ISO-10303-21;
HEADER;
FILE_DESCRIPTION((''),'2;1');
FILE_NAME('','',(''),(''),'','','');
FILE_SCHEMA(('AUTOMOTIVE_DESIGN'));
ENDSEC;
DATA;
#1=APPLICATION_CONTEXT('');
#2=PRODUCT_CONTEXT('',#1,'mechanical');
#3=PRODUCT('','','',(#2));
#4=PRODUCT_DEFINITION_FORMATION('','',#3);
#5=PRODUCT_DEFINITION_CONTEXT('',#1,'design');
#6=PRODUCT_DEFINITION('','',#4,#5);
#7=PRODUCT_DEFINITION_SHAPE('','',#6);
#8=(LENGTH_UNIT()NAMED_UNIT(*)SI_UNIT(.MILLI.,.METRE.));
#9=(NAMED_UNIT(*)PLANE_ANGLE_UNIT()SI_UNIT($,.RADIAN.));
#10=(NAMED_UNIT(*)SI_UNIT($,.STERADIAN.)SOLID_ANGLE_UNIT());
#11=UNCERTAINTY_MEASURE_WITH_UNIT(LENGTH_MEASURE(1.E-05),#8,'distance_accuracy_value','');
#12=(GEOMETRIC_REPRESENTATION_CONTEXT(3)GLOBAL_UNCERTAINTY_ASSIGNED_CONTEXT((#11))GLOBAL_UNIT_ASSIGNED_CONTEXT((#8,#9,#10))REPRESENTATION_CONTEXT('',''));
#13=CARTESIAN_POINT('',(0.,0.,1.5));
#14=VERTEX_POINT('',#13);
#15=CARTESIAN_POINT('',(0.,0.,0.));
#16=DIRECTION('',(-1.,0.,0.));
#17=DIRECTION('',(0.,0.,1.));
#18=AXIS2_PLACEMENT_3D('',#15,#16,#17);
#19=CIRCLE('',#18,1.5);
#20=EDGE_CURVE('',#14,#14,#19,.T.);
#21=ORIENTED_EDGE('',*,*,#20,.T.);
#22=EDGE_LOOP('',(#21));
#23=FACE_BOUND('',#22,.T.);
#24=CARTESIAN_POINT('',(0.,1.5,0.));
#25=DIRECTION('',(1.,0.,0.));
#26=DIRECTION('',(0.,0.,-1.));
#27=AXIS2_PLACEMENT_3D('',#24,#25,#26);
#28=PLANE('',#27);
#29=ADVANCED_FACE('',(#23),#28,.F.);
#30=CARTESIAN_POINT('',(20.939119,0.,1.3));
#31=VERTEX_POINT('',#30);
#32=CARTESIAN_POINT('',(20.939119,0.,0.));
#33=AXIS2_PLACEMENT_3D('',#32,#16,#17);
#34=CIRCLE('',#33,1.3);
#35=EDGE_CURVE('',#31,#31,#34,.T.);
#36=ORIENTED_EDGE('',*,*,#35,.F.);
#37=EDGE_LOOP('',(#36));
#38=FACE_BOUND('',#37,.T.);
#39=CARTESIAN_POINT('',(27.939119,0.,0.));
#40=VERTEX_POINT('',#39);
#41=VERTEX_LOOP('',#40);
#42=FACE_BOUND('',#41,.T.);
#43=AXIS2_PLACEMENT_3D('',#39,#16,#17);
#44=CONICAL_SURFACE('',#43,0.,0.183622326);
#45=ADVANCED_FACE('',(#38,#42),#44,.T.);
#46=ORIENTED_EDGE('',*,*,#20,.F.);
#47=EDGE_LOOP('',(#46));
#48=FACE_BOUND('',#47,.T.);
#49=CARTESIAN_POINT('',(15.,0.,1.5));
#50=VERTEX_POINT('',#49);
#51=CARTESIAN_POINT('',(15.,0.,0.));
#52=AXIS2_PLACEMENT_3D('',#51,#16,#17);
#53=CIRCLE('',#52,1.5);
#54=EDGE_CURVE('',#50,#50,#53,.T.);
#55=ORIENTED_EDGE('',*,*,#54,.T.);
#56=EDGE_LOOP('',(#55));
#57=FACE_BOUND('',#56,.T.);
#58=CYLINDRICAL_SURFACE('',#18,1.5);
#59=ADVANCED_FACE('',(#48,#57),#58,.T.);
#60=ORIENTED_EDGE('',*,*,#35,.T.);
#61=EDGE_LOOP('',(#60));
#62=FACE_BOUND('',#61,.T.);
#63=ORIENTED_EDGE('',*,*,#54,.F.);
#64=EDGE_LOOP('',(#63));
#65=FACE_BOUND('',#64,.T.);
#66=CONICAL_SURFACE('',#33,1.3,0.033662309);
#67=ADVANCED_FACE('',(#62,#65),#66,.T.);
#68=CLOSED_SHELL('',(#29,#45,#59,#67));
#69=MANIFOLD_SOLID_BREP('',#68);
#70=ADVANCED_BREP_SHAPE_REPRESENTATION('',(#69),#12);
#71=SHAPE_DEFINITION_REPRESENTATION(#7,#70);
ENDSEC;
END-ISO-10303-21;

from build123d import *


with BuildPart() as part:
    # Sketch1 → Revolve1 (revolve)
    with BuildSketch(Plane.XY, mode=Mode.PRIVATE) as revolve1_sk:
        Polygon((0, 0), (27.939118754, 0), (20.939118754, 1.3), (15, 1.5), (0, 1.5), align=None)
    revolve(revolve1_sk.sketch.rotate(Axis((0, 0, 0), (1, 0, 0)), 90), axis=Axis((0, 0, 0), (1, 0, 0)))


solid = part.part
